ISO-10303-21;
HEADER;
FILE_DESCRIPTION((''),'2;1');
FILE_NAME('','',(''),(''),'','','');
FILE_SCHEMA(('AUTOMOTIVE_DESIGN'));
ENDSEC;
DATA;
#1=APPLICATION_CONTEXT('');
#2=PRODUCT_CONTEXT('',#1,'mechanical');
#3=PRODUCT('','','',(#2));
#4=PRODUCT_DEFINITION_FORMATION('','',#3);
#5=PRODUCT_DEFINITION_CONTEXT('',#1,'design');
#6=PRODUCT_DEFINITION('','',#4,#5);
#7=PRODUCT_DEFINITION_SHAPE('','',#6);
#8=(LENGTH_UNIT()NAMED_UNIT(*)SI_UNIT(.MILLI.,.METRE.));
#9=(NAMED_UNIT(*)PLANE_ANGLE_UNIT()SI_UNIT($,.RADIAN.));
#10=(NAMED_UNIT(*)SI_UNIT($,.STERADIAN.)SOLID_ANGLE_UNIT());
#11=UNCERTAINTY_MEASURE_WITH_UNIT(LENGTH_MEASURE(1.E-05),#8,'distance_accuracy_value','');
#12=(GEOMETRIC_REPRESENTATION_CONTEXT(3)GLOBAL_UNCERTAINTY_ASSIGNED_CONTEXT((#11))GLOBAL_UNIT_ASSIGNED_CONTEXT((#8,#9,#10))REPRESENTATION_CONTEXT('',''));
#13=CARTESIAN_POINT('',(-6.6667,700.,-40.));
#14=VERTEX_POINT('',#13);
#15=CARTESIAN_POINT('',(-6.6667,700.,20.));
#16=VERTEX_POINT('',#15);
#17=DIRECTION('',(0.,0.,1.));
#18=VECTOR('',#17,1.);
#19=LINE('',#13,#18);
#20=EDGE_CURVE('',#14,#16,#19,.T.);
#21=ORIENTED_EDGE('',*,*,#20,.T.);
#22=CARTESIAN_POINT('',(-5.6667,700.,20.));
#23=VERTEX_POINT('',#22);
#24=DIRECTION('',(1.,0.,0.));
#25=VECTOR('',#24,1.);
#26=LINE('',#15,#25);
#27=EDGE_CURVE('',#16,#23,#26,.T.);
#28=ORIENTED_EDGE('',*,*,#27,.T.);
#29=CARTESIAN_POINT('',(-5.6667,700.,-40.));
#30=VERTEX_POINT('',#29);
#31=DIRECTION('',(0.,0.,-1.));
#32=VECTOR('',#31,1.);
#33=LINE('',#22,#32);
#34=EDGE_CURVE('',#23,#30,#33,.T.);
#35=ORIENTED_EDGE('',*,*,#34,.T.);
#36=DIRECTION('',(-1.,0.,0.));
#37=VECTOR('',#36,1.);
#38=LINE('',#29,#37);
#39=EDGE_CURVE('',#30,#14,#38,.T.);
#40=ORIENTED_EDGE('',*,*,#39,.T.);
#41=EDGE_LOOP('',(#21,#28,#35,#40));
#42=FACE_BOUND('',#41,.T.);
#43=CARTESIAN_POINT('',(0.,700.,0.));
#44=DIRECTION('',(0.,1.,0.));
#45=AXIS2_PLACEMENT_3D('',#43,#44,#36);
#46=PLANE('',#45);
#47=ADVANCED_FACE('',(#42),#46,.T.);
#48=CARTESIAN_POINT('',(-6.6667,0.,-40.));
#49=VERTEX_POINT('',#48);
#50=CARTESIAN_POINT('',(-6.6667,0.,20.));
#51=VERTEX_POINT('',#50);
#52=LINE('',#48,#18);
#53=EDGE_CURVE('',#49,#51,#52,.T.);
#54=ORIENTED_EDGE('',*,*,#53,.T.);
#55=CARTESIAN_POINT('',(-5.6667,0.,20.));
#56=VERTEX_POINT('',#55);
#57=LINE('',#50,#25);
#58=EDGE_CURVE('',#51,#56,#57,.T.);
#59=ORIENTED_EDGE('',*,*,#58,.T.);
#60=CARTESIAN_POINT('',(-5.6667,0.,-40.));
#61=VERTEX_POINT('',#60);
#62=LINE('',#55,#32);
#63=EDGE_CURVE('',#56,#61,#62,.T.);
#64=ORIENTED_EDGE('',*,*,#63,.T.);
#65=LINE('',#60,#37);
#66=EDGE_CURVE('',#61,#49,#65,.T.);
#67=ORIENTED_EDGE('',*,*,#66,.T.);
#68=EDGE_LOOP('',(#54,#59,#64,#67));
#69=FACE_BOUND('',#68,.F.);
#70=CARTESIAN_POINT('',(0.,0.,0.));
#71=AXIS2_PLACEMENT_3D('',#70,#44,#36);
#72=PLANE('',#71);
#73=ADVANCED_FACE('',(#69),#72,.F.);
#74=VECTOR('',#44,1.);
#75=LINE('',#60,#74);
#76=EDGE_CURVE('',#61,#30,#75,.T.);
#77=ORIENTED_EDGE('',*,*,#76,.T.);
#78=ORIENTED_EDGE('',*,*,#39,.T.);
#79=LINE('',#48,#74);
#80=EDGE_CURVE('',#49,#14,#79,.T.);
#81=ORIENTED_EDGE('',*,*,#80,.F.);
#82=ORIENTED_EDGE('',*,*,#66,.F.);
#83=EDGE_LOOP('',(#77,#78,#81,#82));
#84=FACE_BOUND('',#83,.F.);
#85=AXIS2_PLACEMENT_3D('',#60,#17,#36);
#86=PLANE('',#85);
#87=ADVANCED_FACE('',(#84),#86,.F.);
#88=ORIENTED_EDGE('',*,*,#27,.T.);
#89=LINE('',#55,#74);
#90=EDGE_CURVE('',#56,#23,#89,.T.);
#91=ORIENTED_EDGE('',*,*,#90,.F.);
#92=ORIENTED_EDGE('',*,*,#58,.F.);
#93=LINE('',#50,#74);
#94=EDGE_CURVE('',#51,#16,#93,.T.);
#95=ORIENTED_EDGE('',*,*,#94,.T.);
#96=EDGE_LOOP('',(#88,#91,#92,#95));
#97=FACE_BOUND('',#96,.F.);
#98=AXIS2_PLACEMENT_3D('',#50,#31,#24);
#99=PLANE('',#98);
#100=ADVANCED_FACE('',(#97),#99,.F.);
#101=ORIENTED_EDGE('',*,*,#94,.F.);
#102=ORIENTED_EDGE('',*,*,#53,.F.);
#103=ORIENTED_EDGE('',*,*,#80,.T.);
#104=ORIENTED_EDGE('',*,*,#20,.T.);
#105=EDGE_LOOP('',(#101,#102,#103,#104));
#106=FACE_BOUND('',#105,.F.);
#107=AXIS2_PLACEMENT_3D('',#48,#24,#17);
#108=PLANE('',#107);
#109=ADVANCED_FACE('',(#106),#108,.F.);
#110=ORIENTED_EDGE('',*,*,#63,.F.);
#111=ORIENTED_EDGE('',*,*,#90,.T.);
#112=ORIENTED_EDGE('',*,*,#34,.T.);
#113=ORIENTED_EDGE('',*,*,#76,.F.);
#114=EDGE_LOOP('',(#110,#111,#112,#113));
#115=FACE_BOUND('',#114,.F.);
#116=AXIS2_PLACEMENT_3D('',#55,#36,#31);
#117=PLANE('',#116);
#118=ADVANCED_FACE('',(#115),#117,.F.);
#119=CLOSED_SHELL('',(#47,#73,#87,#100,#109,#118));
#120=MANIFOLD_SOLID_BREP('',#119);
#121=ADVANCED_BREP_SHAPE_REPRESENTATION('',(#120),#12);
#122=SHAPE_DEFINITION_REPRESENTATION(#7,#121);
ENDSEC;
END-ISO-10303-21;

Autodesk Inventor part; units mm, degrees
ref_plane "YZ Plane" through (0, 0, 0) normal (1, 0, 0) x (0, 1, 0)
ref_plane "XZ Plane" through (0, 0, 0) normal (0, 1, 0) x (-1, 0, 0)
ref_plane "XY Plane" through (0, 0, 0) normal (0, 0, 1) x (1, 0, 0)
sketch "Sketch1" plane through (0, 0, 0) normal (0, 1, 0) x (-1, 0, 0)
  line L0 (6.6667, 20) -> (5.6667, 20)
  line L1 (5.6667, 20) -> (5.6667, -40)
  line L2 (5.6667, -40) -> (6.6667, -40)
  line L3 (6.6667, -40) -> (6.6667, 20)
  point P0 (0, 0)
  dimension "d0" = 1
  dimension "d1" = 60
extrude "Extrusion1" add sketch "Sketch1" along normal blind 700
properties part number "PodkladkaY" material "Aluminum 6061"
